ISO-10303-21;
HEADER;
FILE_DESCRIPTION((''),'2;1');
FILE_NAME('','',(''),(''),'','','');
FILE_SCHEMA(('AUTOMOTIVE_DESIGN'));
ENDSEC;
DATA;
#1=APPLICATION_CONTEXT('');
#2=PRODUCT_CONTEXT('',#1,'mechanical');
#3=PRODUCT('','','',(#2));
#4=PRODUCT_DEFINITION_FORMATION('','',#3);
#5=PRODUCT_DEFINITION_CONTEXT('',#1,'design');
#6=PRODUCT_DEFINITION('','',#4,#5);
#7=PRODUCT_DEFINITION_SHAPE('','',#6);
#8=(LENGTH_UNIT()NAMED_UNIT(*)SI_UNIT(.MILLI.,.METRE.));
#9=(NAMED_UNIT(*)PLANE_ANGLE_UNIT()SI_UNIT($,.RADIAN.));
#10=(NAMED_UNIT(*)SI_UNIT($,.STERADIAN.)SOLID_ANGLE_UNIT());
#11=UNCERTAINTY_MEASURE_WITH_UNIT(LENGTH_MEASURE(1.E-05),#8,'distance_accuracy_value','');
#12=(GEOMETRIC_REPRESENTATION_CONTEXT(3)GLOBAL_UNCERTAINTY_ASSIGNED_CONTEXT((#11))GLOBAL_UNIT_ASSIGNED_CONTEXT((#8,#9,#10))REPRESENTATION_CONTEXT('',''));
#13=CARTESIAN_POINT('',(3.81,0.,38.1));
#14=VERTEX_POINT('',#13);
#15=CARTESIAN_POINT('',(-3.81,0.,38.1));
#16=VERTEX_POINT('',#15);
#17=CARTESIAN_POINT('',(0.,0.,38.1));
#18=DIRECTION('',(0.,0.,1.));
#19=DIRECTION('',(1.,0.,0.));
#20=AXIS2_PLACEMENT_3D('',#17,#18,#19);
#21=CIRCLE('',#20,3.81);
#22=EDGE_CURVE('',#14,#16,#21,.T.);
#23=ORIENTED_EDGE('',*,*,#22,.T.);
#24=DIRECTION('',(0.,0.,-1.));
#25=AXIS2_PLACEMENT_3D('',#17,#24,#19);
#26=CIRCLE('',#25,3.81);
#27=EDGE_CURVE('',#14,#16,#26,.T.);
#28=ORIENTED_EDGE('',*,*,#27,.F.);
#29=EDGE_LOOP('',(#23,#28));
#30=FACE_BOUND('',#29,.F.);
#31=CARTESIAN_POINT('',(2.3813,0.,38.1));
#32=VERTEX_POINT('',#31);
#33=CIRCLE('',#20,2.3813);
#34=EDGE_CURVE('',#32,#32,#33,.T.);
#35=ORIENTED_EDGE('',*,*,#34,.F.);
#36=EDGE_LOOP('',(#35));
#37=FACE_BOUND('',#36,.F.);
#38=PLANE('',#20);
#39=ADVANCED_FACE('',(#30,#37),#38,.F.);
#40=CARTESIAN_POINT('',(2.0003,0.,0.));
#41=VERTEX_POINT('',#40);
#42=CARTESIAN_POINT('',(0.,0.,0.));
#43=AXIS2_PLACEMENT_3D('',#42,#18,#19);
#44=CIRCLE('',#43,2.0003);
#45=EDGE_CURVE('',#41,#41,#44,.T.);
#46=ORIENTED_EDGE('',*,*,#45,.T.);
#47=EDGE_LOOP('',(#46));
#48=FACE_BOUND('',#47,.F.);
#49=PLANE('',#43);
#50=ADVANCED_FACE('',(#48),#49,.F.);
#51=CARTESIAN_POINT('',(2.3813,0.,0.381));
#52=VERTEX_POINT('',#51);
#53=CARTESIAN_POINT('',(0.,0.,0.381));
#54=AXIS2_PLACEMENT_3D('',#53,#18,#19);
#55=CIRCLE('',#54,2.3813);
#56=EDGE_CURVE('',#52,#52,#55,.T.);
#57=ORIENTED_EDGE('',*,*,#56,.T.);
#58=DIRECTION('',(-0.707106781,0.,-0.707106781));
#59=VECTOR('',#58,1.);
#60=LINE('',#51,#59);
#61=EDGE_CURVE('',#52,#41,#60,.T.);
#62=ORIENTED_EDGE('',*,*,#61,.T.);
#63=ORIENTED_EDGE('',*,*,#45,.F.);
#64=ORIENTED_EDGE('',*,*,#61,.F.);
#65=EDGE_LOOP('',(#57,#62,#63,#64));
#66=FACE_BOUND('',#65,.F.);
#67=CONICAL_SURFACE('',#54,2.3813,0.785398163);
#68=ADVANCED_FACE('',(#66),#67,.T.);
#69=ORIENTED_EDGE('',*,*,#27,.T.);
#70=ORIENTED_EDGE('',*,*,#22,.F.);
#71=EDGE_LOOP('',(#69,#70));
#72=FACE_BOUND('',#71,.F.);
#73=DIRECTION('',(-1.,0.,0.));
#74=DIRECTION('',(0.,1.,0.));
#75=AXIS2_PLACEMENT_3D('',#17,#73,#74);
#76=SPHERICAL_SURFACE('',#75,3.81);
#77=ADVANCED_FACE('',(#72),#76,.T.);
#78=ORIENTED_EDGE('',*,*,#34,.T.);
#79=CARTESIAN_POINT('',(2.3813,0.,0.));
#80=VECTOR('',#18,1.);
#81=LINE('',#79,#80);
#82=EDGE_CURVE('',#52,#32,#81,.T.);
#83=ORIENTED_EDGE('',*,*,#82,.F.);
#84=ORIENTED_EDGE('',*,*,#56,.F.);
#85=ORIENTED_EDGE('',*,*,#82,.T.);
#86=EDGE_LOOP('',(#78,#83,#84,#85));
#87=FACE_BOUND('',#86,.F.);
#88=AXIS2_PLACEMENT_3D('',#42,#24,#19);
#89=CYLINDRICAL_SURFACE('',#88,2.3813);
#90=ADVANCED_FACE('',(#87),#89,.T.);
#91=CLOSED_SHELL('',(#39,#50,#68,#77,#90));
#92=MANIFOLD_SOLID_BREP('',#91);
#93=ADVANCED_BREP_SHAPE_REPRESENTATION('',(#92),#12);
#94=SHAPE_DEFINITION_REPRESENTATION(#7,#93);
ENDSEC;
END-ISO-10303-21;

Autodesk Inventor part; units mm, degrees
ref_plane "YZ Plane" through (0, 0, 0) normal (1, 0, 0) x (0, 1, 0)
ref_plane "XZ Plane" through (0, 0, 0) normal (0, 1, 0) x (-1, 0, 0)
ref_plane "XY Plane" through (0, 0, 0) normal (0, 0, 1) x (1, 0, 0)
sketch "Sketch1" plane through (0, 0, 0) normal (0, 0, 1) x (1, 0, 0)
  circle A0 centre (0, 0) radius 2.3813
  dimension "d0" = 4.7625
extrude "Extrusion1" add sketch "Sketch1" along normal blind 38.1
sketch "Sketch2" plane through (0, 0, 38.1) normal (0, 0, 1) x (1, 0, 0)
  circle A0 centre (0, 0) radius 2.3813 projected
  arc A1 (-3.81, 0) -> (3.81, 0) centre (0, 0) ccw
  line L0 (-3.81, 0) -> (3.81, 0)
  arc A2 (3.81, 0) -> (-3.81, 0) centre (0, 0) ccw
  dimension "d3" = 7.62
revolve "Revolution1" add sketch "Sketch2" angle 180 about axis through (-3.81, 0, 38.1) along (1, 0, 0) picked at (0.5941, 0.5264) contours L0 A0 | A0 L0 A2
thread "Thread1" size "10-24 UNC" class "2A" standard "ANSI Unified Screw Threads" full length
chamfer "Chamfer1" distance 0.381 angle 45 1 edges at (-2.3813, 0, 0)
properties part number "screw"
